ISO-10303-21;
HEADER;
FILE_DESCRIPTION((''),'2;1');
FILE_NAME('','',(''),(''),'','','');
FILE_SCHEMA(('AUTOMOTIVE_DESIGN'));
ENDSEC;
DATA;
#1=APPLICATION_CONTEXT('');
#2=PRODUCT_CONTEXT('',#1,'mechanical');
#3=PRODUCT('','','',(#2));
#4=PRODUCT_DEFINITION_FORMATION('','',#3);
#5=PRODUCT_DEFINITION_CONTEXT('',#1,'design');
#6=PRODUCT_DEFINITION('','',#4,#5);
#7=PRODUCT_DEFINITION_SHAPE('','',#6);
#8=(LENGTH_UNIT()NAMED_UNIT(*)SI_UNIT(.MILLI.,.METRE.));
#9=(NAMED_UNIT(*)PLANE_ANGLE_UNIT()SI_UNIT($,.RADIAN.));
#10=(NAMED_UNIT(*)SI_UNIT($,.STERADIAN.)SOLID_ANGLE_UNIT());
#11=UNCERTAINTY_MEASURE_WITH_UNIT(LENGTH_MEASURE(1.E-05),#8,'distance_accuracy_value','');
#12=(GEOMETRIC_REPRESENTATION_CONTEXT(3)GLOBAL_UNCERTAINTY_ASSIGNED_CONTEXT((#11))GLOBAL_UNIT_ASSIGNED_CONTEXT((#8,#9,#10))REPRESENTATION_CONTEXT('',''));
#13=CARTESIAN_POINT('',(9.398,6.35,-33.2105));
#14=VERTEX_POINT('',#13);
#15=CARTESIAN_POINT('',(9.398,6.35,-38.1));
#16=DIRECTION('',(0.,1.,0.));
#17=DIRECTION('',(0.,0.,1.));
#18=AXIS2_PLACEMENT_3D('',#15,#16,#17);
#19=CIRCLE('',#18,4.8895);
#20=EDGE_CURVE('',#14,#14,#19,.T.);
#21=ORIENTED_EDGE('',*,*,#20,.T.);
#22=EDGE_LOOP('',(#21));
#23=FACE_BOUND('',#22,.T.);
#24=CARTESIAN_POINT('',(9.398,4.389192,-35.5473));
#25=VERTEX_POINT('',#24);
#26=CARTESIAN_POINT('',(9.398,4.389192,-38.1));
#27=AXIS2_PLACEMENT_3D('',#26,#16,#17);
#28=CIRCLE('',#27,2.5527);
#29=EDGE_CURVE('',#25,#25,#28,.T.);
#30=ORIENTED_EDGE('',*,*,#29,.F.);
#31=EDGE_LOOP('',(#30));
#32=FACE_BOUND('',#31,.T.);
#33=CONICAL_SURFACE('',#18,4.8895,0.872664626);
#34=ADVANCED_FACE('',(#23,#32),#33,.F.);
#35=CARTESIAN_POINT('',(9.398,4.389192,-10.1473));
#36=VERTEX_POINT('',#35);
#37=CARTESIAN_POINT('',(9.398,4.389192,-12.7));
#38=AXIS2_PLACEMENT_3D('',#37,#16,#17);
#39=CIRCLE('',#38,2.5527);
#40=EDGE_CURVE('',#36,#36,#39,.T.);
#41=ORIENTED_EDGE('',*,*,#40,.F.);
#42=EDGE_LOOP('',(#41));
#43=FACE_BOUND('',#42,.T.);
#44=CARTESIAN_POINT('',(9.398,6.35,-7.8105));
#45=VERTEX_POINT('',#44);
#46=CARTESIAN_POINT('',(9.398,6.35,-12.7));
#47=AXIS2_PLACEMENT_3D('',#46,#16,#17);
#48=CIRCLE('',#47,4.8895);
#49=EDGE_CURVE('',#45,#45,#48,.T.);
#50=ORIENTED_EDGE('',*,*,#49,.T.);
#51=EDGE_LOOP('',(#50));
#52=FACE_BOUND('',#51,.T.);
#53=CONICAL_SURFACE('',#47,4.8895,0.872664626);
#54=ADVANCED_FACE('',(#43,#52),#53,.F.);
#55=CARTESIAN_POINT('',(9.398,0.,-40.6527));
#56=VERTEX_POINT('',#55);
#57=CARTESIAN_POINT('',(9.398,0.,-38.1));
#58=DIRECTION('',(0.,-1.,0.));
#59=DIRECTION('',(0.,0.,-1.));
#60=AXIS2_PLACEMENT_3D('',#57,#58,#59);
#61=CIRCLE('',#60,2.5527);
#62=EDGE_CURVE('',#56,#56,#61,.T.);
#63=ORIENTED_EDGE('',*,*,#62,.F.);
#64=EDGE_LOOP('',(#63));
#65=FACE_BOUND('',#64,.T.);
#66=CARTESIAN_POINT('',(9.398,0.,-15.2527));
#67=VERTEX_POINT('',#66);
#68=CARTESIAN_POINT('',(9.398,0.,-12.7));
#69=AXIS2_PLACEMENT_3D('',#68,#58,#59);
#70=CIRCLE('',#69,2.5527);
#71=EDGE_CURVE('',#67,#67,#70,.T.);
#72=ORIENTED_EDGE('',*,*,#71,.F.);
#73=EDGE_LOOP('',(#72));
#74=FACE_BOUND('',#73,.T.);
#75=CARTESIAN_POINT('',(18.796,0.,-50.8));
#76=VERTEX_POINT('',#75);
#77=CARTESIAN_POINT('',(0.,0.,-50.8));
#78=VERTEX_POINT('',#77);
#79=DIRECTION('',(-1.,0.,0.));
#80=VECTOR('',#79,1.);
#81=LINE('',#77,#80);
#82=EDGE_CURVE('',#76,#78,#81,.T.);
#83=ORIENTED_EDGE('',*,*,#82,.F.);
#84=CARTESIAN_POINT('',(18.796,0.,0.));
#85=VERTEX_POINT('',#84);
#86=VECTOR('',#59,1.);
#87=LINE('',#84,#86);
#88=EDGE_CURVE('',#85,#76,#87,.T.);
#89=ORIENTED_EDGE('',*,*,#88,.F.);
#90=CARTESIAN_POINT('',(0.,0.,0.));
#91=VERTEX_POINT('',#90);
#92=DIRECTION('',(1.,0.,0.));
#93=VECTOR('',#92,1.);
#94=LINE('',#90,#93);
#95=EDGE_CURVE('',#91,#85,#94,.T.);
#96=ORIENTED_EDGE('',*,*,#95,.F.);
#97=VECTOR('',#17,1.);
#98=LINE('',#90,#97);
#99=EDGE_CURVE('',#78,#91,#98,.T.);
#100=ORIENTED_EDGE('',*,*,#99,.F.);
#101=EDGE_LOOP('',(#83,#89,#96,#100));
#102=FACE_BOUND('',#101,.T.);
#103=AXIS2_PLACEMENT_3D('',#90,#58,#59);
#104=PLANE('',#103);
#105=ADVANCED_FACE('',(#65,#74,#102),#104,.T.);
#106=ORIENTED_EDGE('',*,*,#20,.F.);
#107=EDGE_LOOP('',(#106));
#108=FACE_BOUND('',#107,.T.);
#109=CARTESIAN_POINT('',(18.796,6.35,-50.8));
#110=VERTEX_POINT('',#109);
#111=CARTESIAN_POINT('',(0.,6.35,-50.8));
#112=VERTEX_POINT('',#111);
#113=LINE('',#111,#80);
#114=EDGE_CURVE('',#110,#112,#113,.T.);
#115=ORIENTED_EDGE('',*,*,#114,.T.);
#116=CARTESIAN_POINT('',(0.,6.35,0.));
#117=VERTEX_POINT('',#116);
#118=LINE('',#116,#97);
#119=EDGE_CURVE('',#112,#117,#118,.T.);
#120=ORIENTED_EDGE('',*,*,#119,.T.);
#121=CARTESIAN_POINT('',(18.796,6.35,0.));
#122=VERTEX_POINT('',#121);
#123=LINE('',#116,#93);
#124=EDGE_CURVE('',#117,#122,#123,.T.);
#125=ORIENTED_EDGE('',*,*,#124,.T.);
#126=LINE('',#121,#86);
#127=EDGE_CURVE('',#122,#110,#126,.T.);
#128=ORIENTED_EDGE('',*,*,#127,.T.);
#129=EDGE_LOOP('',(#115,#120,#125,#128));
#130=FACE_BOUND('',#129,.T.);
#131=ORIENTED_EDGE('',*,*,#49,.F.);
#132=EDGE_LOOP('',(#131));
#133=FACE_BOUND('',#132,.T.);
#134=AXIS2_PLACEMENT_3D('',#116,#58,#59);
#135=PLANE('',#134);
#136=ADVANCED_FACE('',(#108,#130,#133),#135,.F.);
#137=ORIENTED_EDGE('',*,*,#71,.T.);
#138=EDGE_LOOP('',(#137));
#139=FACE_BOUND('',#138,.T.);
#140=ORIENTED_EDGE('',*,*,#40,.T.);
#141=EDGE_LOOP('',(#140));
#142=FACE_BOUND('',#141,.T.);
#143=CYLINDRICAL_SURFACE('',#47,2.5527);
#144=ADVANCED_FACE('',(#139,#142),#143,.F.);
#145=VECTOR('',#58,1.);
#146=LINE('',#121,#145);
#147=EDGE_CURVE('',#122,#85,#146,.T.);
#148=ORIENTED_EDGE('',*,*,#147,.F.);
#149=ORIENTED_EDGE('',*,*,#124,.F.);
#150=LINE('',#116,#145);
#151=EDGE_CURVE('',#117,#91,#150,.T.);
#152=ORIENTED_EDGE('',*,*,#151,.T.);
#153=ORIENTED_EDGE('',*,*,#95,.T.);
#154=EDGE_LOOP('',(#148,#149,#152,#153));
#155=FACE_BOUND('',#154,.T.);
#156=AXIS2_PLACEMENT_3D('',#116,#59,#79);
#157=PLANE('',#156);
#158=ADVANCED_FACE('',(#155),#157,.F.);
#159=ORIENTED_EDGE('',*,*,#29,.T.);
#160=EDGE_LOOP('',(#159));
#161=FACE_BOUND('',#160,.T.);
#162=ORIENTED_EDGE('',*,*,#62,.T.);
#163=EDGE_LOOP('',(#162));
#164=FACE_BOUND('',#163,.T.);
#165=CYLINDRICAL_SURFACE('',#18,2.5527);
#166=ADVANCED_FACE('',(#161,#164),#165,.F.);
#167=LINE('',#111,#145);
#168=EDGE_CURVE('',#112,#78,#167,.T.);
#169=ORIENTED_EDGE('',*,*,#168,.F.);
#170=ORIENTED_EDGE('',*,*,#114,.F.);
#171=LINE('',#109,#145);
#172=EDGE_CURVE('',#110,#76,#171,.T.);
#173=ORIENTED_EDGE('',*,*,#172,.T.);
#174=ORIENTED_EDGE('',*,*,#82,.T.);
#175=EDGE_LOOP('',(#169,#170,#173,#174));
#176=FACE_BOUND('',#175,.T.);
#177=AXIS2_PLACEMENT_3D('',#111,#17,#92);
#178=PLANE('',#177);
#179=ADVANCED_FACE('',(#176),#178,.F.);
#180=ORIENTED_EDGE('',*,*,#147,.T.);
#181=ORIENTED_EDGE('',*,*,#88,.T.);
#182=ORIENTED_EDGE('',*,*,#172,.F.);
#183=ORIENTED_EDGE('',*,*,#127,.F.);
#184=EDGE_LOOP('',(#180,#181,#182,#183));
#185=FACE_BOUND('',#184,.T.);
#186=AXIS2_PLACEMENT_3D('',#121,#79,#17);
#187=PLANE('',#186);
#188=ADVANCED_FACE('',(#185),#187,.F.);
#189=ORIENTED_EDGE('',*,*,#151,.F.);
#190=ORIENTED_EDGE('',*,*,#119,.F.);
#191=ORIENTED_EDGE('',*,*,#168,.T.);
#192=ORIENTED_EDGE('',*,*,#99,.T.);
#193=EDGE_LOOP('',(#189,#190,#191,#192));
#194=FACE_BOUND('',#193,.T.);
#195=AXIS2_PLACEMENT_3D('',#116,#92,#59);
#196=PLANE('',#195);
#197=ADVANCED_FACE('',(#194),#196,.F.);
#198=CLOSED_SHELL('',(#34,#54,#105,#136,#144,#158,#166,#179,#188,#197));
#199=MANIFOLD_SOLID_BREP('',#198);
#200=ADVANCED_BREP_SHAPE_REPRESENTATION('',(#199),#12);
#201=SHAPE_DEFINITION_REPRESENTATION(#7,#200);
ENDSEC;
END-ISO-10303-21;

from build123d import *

# Parameters (mm, degrees)
SKETCH1_W                                          = 18.796
SKETCH1_H                                          = 50.8
BOSS_EXTRUDE1_DEPTH                                = 6.35
CSK_FOR_10_FLAT_HEAD_MACHINE_SCREW_100_D           = 5.1054
CSK_FOR_10_FLAT_HEAD_MACHINE_SCREW_100_DEPTH       = 25.4
CSK_FOR_10_FLAT_HEAD_MACHINE_SCREW_100_CSINK_D     = 9.779
CSK_FOR_10_FLAT_HEAD_MACHINE_SCREW_100_CSINK_ANGLE = 100
CSK_FOR_10_FLAT_HEAD_MACHINE_SCREW_100_TIP         = 1.533816902


with BuildPart() as part:
    # Sketch1 → Boss-Extrude1 (new body)
    with BuildSketch(Plane(origin=(0, 0, 0), x_dir=(1, 0, 0), z_dir=(0, 1, 0))):
        with Locations((9.398, 25.4)):
            Rectangle(SKETCH1_W, SKETCH1_H)
    extrude(amount=BOSS_EXTRUDE1_DEPTH)

    # CSK for #10 Flat Head Machine Screw (100)1
    with Locations(Plane(origin=(0, 6.35, 0), x_dir=(1, 0, 0), z_dir=(0, 1, 0))):
        with Locations((9.398, 38.1), (9.398, 12.7)):
            CounterSinkHole(CSK_FOR_10_FLAT_HEAD_MACHINE_SCREW_100_D / 2, CSK_FOR_10_FLAT_HEAD_MACHINE_SCREW_100_CSINK_D / 2, depth=CSK_FOR_10_FLAT_HEAD_MACHINE_SCREW_100_DEPTH, counter_sink_angle=CSK_FOR_10_FLAT_HEAD_MACHINE_SCREW_100_CSINK_ANGLE)
            with Locations((0, 0, -(CSK_FOR_10_FLAT_HEAD_MACHINE_SCREW_100_DEPTH + CSK_FOR_10_FLAT_HEAD_MACHINE_SCREW_100_TIP / 2))):  # 118° drill point
                Cone(0, CSK_FOR_10_FLAT_HEAD_MACHINE_SCREW_100_D / 2, CSK_FOR_10_FLAT_HEAD_MACHINE_SCREW_100_TIP, mode=Mode.SUBTRACT)


solid = part.part
